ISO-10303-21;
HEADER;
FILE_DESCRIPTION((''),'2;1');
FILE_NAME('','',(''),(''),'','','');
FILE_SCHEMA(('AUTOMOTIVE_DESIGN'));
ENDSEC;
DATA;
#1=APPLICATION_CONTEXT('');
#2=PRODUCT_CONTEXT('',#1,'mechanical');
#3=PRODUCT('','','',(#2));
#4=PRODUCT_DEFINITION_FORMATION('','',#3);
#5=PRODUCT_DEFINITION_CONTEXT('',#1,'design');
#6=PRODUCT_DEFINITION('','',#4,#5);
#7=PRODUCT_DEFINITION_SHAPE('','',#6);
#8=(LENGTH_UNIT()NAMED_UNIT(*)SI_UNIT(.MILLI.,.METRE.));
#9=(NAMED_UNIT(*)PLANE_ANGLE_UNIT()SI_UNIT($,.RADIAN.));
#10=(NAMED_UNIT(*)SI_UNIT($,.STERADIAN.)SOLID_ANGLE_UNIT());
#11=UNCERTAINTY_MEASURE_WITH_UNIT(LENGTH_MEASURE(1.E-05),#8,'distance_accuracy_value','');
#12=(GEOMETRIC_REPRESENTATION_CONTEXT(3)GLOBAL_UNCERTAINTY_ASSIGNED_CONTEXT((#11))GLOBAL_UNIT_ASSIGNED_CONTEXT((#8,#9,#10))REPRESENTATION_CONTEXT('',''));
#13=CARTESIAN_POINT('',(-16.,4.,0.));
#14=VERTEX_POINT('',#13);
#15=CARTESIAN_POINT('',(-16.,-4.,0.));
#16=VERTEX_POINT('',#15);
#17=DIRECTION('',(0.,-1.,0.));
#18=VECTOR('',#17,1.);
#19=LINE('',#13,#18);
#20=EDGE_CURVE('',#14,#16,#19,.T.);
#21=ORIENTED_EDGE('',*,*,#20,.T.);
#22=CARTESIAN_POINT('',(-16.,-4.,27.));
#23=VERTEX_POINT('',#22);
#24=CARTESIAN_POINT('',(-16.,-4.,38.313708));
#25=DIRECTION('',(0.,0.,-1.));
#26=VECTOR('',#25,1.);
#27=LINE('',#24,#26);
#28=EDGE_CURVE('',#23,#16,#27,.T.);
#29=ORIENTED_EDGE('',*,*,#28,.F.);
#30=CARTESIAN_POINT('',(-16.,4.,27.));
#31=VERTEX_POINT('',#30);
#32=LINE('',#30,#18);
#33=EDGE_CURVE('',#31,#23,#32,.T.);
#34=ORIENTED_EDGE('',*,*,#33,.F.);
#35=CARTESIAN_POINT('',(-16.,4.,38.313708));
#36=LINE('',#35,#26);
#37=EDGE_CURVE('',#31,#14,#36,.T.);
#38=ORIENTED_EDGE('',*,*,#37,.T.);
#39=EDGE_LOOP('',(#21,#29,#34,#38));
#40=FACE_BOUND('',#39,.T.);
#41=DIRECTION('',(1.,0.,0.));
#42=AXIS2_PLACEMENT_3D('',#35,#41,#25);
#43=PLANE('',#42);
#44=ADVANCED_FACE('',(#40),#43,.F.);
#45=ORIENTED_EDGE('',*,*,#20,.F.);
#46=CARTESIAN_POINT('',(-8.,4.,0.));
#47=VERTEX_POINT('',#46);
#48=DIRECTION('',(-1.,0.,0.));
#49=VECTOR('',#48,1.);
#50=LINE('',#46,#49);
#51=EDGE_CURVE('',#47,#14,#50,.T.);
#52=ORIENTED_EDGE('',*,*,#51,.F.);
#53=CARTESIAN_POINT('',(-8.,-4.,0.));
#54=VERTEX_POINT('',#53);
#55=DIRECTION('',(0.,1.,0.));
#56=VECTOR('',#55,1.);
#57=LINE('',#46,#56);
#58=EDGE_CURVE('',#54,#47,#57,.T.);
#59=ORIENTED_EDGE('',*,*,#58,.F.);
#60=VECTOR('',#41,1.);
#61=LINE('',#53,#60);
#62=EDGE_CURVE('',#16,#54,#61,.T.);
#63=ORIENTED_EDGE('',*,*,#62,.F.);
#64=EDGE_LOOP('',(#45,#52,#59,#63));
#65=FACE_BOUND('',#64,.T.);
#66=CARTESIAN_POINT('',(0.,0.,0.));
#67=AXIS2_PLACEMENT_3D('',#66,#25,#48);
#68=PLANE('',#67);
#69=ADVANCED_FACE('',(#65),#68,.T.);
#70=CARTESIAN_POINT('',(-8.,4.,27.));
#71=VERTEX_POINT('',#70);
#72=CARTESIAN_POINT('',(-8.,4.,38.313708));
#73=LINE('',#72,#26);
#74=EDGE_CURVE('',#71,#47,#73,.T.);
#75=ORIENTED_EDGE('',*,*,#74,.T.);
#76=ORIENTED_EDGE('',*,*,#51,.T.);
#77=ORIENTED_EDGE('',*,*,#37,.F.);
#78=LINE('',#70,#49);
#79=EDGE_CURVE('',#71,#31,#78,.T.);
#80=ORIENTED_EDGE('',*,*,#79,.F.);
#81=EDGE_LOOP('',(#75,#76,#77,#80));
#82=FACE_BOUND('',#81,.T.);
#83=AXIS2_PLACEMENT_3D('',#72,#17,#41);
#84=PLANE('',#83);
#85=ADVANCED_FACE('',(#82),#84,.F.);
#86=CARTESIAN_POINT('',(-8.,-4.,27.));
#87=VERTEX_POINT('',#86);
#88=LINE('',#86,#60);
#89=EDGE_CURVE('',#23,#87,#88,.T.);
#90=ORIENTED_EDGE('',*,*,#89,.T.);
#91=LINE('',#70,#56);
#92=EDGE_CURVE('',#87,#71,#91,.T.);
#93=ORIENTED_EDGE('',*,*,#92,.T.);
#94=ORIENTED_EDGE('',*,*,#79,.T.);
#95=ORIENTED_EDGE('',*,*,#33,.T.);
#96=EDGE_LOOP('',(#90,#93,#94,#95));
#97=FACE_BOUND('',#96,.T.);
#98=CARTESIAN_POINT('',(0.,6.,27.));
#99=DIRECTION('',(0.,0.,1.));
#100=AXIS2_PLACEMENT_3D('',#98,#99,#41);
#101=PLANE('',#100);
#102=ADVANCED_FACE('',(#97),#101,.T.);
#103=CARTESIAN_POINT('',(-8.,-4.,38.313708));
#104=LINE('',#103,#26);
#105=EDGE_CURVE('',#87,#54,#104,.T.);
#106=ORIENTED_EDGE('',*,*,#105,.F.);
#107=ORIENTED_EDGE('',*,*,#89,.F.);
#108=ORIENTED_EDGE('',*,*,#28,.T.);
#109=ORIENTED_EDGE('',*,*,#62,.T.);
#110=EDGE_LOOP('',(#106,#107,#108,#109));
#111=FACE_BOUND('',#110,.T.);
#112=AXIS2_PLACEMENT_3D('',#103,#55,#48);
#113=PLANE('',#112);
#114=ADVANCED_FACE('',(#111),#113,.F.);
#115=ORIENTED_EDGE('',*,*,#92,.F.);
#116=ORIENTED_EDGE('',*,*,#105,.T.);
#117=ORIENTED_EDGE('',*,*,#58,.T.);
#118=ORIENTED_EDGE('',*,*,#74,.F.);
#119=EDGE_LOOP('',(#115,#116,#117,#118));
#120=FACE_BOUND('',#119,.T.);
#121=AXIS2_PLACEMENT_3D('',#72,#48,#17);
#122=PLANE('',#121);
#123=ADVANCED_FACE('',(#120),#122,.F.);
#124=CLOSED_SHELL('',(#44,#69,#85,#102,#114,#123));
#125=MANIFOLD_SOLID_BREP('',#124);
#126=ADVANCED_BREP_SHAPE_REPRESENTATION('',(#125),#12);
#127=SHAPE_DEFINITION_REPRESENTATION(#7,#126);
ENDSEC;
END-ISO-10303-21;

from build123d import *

# Parameters (mm, degrees)
SKETCH_1_W      = 8
SKETCH_1_H      = 8
EXTRUDE_1_DEPTH = 27


with BuildPart() as part:
    # Эскиз1 → Бобышка-Вытянуть1 (new body)
    with BuildSketch(Plane.XY):
        with Locations((-12, 0)):
            Rectangle(SKETCH_1_W, SKETCH_1_H)
    extrude(amount=EXTRUDE_1_DEPTH)


solid = part.part
